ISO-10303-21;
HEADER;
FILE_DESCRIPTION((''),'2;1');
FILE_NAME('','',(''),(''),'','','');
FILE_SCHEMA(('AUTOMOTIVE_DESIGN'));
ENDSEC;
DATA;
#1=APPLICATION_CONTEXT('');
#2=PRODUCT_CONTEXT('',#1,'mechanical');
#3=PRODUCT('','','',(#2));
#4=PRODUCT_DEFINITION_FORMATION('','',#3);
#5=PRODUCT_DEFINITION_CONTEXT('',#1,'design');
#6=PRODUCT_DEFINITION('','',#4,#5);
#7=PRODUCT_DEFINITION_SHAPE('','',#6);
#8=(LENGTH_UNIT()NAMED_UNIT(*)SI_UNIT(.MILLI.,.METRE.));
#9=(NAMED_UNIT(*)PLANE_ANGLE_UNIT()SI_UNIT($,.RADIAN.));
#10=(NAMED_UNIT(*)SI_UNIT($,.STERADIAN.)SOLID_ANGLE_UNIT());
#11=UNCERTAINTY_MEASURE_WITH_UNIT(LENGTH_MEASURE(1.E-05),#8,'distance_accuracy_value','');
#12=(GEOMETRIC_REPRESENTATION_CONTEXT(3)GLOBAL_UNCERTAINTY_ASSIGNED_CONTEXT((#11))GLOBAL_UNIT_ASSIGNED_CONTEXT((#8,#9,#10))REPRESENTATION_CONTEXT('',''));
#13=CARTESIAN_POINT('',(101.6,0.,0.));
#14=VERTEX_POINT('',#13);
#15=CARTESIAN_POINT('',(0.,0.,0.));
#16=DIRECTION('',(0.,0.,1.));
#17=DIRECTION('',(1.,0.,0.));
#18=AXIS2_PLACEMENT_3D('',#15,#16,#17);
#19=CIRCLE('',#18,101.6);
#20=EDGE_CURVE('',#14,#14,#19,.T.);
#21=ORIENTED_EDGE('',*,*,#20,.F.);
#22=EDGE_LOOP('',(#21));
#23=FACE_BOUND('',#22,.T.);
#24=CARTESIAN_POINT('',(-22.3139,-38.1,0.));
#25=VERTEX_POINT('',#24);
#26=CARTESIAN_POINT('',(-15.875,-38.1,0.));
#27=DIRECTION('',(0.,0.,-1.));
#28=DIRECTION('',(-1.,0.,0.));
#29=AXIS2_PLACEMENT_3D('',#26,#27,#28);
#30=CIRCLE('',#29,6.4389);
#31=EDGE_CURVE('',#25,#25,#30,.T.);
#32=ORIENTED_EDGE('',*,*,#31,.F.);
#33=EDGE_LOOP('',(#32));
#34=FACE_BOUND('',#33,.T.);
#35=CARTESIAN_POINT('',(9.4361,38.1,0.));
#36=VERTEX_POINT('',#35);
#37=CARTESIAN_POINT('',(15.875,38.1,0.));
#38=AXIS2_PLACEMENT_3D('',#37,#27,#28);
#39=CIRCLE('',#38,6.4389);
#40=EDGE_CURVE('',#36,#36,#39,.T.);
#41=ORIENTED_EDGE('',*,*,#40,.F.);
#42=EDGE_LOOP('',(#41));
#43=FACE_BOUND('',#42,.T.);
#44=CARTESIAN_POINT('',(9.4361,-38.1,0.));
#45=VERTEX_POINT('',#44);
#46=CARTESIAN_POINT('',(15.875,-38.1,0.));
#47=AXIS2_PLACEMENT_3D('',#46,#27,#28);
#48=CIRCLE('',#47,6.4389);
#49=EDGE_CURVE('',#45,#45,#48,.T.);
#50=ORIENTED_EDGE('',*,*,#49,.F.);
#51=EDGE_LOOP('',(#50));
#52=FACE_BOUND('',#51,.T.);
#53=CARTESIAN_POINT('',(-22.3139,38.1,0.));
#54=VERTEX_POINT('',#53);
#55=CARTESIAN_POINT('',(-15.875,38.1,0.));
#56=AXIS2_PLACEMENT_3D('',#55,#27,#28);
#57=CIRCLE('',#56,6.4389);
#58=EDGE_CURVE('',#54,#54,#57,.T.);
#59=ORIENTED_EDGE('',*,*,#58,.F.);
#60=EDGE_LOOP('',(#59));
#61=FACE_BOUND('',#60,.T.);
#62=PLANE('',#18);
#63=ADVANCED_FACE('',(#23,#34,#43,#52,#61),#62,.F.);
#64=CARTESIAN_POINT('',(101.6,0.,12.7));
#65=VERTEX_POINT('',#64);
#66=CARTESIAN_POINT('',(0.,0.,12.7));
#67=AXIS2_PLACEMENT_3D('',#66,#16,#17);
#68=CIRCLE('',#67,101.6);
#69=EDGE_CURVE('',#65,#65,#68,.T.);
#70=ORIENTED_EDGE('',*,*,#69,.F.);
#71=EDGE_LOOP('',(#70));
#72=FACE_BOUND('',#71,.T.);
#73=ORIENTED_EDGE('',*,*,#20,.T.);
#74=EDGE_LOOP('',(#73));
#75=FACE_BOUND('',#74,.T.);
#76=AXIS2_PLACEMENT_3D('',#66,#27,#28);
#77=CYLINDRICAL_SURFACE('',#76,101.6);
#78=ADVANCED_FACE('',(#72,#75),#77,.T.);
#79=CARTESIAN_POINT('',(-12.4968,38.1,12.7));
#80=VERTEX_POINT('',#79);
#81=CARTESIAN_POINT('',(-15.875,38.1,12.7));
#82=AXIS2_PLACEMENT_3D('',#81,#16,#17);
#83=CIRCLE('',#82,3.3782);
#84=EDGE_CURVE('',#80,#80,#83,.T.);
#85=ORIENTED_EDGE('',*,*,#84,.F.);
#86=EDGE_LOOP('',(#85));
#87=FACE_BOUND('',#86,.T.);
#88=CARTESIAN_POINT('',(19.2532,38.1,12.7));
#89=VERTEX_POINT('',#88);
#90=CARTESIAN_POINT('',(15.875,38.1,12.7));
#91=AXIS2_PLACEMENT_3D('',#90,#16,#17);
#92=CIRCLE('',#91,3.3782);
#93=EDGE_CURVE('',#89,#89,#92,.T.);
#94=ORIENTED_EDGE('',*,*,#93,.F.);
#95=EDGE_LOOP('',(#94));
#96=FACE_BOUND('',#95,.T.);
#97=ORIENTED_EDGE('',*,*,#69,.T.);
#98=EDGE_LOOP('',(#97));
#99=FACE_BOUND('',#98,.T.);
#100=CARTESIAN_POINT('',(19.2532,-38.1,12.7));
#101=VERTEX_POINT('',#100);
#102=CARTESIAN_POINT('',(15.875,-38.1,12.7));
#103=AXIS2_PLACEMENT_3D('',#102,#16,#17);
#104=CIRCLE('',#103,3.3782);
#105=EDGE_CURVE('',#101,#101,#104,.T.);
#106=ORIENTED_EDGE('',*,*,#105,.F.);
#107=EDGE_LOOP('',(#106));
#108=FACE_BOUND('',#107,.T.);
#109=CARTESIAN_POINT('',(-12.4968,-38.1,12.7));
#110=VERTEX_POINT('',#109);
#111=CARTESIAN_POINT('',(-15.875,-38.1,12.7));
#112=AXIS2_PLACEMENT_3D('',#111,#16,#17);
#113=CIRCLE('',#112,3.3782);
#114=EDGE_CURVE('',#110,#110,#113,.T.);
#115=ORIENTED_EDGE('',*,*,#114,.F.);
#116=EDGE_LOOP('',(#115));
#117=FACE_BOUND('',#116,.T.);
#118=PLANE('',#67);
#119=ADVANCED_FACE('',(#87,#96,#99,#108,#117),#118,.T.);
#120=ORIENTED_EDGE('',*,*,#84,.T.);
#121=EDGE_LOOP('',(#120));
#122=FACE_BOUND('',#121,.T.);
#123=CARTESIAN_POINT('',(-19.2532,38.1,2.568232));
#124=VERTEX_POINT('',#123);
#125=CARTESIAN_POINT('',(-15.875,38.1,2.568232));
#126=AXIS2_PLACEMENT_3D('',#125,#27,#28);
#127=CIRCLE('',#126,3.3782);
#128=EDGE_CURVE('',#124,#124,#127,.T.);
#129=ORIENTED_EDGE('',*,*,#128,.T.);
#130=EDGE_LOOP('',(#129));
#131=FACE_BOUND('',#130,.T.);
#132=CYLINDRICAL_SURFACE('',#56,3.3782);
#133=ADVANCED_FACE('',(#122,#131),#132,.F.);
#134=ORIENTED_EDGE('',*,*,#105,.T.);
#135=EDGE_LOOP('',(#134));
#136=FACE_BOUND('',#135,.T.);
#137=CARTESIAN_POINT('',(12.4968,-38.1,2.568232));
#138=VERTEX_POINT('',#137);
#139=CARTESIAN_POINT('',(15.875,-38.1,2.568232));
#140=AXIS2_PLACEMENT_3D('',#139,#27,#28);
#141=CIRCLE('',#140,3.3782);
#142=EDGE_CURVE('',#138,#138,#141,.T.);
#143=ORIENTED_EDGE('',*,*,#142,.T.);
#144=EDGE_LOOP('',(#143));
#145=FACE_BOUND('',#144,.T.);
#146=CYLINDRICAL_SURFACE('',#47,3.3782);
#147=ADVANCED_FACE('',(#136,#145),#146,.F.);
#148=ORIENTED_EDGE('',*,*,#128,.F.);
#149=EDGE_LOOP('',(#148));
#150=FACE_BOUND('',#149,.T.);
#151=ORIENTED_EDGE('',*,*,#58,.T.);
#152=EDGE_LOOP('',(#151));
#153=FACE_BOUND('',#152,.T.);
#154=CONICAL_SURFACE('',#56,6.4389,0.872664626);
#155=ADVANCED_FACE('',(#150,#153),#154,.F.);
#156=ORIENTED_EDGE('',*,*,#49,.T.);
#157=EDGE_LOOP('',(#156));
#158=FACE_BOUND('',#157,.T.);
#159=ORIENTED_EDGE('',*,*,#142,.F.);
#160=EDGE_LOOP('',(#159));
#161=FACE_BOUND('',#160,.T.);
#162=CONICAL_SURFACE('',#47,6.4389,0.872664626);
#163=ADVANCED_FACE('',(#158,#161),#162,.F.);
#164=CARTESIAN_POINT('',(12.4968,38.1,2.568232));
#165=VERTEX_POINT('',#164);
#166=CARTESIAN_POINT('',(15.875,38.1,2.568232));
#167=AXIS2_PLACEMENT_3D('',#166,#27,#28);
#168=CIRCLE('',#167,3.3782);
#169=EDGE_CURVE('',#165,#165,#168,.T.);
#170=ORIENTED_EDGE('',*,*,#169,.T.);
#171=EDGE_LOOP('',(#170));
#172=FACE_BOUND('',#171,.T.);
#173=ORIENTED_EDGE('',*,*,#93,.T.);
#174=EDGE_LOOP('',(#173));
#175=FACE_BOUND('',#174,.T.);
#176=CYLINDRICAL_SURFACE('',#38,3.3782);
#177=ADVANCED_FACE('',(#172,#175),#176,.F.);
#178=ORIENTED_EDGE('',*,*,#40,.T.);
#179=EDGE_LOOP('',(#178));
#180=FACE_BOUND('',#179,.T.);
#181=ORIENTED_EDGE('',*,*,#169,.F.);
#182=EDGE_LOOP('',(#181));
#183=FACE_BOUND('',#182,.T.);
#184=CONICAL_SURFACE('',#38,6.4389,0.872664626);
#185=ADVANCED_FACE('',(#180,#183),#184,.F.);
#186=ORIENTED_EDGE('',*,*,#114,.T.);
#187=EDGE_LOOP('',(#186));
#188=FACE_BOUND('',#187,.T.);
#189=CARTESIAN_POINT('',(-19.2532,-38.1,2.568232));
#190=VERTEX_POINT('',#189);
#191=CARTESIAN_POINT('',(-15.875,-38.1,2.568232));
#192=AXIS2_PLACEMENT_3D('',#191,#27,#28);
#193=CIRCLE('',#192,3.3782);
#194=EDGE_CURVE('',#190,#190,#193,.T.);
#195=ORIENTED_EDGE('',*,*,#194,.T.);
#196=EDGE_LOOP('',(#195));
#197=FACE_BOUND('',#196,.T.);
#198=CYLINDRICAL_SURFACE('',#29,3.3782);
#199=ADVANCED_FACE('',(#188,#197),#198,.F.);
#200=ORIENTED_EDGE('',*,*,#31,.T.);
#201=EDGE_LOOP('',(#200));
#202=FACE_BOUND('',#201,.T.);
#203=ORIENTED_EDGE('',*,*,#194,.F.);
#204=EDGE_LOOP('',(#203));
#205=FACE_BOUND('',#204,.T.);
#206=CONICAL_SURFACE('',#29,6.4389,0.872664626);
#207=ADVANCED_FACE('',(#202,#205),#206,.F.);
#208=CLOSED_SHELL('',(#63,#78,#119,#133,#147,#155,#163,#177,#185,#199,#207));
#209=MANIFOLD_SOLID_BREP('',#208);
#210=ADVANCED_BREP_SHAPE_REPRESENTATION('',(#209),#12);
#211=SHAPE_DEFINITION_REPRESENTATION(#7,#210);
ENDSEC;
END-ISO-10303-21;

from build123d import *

# Parameters (mm, degrees)
SKETCH1_R                                           = 101.6
BOSS_EXTRUDE1_DEPTH                                 = 12.7
CSK_FOR_1_4_FLAT_HEAD_MACHINE_SCREW_100_D           = 6.7564
CSK_FOR_1_4_FLAT_HEAD_MACHINE_SCREW_100_DEPTH       = 25.4
CSK_FOR_1_4_FLAT_HEAD_MACHINE_SCREW_100_CSINK_D     = 12.8778
CSK_FOR_1_4_FLAT_HEAD_MACHINE_SCREW_100_CSINK_ANGLE = 100
CSK_FOR_1_4_FLAT_HEAD_MACHINE_SCREW_100_TIP         = 2.029827343


with BuildPart() as part:
    # Sketch1 → Boss-Extrude1 (new body)
    with BuildSketch(Plane.XY):
        Circle(SKETCH1_R)
    extrude(amount=BOSS_EXTRUDE1_DEPTH)

    # CSK for 1/4 Flat Head Machine Screw (100)1
    with Locations(Plane(origin=(0, 0, 0), x_dir=(-1, 0, 0), z_dir=(0, 0, -1))):
        with Locations((-15.875, -38.1), (-15.875, 38.1), (15.875, 38.1), (15.875, -38.1)):
            CounterSinkHole(CSK_FOR_1_4_FLAT_HEAD_MACHINE_SCREW_100_D / 2, CSK_FOR_1_4_FLAT_HEAD_MACHINE_SCREW_100_CSINK_D / 2, depth=CSK_FOR_1_4_FLAT_HEAD_MACHINE_SCREW_100_DEPTH, counter_sink_angle=CSK_FOR_1_4_FLAT_HEAD_MACHINE_SCREW_100_CSINK_ANGLE)
            with Locations((0, 0, -(CSK_FOR_1_4_FLAT_HEAD_MACHINE_SCREW_100_DEPTH + CSK_FOR_1_4_FLAT_HEAD_MACHINE_SCREW_100_TIP / 2))):  # 118° drill point
                Cone(0, CSK_FOR_1_4_FLAT_HEAD_MACHINE_SCREW_100_D / 2, CSK_FOR_1_4_FLAT_HEAD_MACHINE_SCREW_100_TIP, mode=Mode.SUBTRACT)


solid = part.part
